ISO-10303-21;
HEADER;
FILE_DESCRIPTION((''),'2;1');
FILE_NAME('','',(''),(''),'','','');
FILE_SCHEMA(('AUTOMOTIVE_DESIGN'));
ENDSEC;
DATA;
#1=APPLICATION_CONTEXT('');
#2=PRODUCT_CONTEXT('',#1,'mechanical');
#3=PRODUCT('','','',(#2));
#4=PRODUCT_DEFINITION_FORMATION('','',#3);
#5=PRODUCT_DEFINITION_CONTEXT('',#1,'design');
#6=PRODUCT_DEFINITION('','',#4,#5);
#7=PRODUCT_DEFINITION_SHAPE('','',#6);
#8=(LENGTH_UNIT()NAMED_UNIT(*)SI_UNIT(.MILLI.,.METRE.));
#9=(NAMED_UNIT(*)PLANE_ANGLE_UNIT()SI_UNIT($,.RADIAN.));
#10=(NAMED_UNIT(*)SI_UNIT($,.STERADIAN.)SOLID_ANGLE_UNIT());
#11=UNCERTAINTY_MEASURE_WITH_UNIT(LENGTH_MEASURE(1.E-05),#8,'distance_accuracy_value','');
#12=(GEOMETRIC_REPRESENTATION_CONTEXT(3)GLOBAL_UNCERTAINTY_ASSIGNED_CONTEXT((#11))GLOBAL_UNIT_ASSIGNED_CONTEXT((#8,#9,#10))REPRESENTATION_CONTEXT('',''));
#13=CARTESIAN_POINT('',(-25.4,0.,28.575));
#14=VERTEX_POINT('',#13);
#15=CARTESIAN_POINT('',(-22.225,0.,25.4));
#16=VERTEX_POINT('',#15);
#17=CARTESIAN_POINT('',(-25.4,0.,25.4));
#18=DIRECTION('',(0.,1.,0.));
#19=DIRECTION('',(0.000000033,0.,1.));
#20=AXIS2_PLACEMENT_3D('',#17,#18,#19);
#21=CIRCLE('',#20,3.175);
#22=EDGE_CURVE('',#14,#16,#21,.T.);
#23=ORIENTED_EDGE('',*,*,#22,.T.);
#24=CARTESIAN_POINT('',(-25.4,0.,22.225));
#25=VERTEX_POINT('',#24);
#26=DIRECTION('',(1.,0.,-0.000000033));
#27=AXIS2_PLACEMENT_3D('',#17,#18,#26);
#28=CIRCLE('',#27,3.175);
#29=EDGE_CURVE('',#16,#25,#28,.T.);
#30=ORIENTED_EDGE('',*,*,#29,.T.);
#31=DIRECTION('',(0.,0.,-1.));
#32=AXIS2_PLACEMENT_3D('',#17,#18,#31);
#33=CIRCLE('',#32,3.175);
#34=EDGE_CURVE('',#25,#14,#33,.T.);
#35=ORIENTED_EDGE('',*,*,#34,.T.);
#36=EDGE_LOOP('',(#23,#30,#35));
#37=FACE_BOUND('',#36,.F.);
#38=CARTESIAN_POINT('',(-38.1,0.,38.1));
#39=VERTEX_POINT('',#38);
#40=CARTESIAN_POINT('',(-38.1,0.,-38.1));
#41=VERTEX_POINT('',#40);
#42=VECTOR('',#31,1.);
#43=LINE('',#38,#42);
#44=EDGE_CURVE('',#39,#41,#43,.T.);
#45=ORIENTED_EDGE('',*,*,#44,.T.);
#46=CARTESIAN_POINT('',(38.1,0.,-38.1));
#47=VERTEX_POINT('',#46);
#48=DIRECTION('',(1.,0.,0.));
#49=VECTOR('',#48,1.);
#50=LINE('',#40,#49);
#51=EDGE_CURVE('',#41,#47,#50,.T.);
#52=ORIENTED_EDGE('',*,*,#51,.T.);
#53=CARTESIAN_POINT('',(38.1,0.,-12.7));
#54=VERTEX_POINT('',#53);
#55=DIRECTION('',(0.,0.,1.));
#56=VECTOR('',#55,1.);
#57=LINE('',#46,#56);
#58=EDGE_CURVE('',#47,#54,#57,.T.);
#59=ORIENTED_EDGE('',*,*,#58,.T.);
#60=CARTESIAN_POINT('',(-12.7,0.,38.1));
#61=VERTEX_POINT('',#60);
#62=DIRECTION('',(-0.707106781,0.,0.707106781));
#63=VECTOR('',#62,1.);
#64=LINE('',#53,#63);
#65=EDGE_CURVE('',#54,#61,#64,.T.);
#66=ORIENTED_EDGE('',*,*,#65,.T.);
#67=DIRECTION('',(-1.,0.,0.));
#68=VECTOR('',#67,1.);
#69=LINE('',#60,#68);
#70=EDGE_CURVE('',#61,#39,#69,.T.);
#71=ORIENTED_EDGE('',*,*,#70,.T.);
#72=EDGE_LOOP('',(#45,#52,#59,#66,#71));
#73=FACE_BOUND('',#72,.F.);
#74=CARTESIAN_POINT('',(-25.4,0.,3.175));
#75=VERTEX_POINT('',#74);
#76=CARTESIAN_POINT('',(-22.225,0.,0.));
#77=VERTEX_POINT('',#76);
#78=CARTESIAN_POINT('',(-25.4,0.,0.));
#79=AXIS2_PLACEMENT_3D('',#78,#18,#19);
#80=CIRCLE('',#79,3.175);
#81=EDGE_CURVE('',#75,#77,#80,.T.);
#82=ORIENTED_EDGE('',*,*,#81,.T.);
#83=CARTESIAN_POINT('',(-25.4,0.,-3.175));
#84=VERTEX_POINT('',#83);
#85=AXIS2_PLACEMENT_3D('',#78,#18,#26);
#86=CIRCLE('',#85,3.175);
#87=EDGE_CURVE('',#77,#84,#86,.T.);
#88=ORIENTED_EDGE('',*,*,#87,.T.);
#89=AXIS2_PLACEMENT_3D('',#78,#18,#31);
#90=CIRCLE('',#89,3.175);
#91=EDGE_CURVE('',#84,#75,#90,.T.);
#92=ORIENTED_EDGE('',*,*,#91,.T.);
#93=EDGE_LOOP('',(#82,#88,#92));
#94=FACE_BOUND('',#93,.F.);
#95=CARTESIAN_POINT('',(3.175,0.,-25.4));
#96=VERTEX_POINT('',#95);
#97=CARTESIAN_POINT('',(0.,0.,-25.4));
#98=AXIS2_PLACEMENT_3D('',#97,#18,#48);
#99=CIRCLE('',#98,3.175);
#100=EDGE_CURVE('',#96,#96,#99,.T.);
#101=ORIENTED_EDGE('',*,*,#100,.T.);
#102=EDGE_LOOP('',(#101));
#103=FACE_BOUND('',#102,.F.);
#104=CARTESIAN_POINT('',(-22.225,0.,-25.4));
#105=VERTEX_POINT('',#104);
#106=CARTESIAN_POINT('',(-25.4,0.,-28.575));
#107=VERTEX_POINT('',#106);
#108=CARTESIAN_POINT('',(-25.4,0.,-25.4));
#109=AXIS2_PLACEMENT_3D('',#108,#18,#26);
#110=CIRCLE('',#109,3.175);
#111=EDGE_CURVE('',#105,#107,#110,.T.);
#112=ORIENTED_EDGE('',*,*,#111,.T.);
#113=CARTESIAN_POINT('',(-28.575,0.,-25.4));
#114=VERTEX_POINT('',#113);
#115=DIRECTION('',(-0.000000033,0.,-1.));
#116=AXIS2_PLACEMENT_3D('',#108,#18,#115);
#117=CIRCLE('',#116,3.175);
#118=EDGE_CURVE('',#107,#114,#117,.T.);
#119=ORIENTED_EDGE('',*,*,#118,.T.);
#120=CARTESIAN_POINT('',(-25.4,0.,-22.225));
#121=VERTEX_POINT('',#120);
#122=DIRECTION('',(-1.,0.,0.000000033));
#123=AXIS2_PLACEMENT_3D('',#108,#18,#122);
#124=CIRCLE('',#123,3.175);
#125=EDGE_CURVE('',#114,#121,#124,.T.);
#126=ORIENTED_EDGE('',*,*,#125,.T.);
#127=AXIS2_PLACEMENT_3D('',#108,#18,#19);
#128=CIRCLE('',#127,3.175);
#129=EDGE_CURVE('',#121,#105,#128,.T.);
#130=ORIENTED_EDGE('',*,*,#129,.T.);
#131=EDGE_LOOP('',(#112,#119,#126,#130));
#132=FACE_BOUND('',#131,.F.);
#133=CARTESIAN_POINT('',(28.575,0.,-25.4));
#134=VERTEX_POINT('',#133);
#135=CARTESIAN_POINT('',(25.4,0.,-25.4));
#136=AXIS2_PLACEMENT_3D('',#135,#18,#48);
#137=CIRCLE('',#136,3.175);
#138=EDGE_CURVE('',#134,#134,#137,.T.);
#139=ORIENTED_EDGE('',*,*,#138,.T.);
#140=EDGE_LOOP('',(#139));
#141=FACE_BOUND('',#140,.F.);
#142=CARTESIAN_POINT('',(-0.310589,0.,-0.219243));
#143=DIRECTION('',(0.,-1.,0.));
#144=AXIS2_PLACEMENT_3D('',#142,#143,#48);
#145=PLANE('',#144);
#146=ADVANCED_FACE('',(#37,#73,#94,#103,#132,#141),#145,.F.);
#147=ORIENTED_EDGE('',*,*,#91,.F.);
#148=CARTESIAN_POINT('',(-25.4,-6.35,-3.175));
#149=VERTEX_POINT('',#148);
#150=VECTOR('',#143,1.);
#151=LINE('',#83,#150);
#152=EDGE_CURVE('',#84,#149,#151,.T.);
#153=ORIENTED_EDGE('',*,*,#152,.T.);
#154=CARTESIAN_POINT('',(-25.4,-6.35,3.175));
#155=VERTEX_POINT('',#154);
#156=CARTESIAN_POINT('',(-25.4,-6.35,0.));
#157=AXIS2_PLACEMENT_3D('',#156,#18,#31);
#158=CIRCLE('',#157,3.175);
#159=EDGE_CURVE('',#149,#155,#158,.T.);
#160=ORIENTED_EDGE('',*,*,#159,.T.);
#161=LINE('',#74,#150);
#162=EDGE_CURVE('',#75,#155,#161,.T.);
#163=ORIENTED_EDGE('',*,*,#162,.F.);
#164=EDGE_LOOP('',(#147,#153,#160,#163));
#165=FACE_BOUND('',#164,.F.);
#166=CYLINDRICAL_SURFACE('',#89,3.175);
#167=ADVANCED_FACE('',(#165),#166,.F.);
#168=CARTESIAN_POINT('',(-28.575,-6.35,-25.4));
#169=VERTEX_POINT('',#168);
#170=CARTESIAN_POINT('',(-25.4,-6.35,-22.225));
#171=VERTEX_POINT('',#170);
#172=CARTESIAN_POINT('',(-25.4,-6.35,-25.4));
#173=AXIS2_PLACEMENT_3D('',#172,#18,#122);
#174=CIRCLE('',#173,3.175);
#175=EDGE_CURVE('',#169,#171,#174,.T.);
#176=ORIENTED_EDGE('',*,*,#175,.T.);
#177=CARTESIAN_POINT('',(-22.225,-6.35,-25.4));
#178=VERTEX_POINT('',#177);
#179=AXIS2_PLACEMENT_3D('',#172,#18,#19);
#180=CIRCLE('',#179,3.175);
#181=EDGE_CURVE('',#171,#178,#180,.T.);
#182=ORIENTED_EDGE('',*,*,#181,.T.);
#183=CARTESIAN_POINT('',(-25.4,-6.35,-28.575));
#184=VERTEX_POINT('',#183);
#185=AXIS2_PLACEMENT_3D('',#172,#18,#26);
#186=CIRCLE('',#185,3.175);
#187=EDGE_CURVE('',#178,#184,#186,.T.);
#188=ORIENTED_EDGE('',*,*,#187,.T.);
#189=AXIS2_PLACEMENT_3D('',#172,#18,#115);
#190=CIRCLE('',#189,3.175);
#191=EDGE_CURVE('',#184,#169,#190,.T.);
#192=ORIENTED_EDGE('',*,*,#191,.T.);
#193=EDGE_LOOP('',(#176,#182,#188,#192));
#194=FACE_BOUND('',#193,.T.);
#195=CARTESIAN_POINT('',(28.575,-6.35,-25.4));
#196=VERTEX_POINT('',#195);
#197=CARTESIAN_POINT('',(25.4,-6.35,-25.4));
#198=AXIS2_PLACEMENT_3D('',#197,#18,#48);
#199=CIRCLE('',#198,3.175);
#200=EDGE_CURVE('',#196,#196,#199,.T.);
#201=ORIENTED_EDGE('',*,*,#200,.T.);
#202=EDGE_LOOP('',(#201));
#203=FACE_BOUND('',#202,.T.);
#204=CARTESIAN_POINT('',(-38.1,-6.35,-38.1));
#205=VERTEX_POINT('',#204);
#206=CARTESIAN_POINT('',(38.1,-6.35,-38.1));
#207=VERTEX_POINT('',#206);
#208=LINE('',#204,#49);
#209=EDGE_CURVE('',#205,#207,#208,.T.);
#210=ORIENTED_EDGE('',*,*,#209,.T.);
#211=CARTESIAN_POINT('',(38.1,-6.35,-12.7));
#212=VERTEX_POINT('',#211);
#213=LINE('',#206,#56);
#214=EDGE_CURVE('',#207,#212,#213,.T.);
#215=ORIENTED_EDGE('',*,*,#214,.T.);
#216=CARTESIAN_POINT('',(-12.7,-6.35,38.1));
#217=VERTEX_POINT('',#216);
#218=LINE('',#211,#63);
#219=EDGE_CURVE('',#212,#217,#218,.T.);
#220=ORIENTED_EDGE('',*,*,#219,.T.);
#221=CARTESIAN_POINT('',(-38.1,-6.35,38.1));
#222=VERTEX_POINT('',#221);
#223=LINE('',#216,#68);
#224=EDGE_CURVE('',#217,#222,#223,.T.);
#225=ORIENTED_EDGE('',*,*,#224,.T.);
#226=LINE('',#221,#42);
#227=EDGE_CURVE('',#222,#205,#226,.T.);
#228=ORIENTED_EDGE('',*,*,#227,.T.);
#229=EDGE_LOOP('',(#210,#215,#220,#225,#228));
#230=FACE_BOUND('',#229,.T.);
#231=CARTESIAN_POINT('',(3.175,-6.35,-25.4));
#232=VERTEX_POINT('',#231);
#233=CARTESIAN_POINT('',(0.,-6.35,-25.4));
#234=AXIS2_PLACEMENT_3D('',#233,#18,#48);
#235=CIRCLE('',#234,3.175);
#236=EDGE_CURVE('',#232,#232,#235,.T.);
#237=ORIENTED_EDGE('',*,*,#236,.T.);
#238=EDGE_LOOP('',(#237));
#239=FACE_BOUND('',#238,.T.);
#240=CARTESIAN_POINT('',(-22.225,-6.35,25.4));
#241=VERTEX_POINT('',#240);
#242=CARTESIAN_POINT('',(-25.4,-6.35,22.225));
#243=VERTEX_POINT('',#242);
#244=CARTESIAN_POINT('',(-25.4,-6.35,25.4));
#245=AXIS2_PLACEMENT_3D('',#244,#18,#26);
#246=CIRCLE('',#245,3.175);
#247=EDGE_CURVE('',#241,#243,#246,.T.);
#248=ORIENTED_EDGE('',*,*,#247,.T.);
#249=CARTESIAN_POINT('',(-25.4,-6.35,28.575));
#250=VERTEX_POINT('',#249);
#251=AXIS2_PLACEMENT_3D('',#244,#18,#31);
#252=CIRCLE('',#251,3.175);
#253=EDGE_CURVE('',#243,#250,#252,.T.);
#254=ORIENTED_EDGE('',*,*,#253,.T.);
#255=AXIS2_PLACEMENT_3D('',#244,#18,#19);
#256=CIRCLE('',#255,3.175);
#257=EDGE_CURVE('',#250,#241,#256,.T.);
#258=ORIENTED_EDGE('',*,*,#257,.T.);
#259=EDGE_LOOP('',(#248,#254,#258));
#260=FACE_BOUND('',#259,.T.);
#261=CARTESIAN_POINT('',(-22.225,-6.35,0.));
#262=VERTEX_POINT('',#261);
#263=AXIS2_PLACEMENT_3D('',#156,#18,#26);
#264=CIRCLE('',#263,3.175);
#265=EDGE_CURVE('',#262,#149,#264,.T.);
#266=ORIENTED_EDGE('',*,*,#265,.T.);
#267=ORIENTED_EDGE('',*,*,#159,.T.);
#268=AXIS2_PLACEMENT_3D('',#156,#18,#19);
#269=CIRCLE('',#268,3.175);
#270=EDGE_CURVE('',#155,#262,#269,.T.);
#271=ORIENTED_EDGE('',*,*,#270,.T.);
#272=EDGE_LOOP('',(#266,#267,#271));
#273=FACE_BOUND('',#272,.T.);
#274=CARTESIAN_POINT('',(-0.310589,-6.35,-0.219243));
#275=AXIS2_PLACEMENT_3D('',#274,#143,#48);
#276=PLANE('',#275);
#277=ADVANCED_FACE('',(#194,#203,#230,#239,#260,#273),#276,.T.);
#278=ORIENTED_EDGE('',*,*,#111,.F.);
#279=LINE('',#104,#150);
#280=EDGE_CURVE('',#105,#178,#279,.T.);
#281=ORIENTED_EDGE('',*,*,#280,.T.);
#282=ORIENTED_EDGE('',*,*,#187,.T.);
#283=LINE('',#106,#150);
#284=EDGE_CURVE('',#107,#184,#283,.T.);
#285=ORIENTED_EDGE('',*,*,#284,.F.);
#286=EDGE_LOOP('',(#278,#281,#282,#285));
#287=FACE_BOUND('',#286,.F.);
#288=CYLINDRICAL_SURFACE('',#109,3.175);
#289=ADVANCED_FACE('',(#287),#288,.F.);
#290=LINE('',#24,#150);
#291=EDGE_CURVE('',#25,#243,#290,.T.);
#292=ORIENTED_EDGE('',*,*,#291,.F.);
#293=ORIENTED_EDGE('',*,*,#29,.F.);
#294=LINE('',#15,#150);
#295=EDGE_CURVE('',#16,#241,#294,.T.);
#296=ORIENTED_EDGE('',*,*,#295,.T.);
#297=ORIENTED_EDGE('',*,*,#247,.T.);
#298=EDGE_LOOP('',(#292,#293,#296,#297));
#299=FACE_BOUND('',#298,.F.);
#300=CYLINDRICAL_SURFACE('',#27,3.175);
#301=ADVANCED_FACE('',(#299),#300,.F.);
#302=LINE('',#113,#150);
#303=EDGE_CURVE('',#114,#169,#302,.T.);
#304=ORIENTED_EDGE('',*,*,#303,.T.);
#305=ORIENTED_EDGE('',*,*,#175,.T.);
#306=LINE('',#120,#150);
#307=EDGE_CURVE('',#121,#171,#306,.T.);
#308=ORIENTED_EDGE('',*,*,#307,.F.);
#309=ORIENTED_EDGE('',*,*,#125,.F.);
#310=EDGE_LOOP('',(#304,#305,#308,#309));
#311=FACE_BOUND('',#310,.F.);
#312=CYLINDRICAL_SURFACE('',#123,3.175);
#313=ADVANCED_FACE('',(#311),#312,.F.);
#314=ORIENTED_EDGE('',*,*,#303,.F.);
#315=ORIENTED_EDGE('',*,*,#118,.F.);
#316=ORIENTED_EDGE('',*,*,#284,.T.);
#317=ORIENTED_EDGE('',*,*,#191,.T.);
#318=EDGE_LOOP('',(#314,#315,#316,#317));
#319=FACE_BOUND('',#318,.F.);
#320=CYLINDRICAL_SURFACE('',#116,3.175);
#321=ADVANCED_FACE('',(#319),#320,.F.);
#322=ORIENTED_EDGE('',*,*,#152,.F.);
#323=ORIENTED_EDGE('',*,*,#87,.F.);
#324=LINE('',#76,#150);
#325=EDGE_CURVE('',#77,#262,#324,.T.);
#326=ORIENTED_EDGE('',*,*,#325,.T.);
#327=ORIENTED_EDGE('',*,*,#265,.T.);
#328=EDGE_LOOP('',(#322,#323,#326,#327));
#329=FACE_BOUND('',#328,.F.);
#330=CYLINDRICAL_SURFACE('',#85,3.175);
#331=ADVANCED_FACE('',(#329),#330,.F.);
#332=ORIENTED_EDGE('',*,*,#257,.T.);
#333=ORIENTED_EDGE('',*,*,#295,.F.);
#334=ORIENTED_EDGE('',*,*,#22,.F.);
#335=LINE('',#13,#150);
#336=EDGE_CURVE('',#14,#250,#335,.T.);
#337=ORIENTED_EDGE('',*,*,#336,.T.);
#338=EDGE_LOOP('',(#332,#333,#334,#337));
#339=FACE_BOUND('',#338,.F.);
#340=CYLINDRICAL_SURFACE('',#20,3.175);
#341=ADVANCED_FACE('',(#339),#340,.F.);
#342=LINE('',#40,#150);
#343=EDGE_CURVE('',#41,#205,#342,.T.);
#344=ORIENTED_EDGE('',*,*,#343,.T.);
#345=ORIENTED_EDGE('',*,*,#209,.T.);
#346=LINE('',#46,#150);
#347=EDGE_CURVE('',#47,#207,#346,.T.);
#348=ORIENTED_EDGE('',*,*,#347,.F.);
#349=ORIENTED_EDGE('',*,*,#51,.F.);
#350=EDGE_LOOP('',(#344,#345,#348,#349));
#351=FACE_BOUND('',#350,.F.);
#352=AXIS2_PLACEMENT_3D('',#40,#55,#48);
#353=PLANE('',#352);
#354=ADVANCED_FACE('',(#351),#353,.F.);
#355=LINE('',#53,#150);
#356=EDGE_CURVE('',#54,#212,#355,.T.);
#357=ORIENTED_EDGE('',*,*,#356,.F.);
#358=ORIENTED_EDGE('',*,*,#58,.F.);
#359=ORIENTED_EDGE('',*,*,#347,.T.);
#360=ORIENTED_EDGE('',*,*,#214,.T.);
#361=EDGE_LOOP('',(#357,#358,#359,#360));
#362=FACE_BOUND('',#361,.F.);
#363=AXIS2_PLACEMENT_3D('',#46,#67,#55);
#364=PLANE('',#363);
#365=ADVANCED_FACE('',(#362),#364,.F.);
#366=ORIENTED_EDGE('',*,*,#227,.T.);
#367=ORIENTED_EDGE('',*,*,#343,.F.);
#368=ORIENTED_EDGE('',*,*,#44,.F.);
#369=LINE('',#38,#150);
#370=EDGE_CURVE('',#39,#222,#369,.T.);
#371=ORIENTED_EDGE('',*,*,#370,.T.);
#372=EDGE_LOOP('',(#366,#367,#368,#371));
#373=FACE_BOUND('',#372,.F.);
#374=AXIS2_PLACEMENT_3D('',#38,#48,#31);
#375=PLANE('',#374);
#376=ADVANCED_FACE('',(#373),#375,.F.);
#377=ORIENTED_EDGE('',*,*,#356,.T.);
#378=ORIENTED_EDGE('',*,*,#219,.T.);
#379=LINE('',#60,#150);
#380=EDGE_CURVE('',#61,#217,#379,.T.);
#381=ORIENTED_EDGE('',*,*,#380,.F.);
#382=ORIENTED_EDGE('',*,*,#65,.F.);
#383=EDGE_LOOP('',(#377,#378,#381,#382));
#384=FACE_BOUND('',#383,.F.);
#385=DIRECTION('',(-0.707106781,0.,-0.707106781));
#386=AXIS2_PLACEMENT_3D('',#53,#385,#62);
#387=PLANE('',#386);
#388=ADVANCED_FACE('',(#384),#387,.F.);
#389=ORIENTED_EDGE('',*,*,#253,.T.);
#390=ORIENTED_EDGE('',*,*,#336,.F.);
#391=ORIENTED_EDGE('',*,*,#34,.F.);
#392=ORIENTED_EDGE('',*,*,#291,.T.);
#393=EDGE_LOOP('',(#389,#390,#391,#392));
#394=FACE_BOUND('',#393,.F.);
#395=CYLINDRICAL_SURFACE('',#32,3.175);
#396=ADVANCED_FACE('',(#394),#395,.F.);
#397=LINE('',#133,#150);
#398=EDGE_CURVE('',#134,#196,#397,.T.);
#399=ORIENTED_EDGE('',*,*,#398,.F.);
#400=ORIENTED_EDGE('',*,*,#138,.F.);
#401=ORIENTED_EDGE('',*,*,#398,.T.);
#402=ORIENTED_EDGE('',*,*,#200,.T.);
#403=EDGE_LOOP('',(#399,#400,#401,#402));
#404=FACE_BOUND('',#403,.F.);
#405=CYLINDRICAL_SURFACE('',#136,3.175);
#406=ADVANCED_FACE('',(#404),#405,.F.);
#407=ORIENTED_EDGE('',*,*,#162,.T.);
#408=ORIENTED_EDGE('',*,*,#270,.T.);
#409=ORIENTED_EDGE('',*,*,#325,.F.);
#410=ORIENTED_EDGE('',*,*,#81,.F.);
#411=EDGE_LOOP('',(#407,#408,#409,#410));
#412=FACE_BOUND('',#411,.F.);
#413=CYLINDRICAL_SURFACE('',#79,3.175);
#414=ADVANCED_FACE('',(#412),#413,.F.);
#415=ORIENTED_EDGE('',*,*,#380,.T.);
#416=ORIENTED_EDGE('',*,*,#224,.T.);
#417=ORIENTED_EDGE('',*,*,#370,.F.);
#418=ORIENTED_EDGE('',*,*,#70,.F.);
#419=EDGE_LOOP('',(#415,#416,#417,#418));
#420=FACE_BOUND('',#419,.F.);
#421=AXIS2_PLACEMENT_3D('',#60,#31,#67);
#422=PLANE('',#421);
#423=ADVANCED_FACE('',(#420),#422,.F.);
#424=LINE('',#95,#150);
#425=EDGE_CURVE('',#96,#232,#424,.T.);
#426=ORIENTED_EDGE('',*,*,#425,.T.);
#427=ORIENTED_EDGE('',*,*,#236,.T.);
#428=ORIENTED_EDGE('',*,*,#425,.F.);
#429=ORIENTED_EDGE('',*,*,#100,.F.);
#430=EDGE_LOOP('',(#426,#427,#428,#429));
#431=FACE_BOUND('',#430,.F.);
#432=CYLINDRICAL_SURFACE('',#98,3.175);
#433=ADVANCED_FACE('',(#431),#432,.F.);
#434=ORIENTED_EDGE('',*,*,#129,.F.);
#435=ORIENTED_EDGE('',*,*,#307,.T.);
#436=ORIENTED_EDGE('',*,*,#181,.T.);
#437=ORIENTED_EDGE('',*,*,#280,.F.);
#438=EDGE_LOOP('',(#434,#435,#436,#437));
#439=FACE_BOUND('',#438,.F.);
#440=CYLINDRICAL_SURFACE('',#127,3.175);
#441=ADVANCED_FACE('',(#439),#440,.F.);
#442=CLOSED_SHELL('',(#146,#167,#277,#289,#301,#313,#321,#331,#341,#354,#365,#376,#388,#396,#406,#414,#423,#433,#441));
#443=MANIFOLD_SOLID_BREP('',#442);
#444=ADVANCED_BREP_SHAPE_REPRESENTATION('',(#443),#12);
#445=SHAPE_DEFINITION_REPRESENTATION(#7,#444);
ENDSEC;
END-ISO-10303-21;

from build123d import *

# Parameters (mm, degrees)
F1_DEPTH = 6.35


with BuildPart() as f1:
    # F0 (on Front) → F1 (new body)
    with BuildSketch(Plane.XZ):
        with BuildLine():
            Line((38.1, -12.7), (-12.7, 38.1))
            Line((-12.7, 38.1), (-25.4, 38.1))
            Line((-25.4, 38.1), (-25.4, 28.575))
            ThreePointArc((-25.4, 28.575), (-23.154936, 27.645064), (-22.225, 25.4))
            ThreePointArc((-22.225, 25.4), (-23.154936, 23.154936), (-25.4, 22.225))
            Line((-25.4, 22.225), (-25.4, 3.175))
            ThreePointArc((-25.4, 3.175), (-23.154936, 2.245064), (-22.225, 0))
            ThreePointArc((-22.225, 0), (-23.154936, -2.245064), (-25.4, -3.175))
            Line((-25.4, -3.175), (-25.4, -22.225))
            ThreePointArc((-25.4, -22.225), (-23.154936, -23.154936), (-22.225, -25.4))
            Line((-22.225, -25.4), (-3.175, -25.4))
            ThreePointArc((-3.175, -25.4), (0, -22.225), (3.175, -25.4))
            Line((3.175, -25.4), (22.225, -25.4))
            ThreePointArc((22.225, -25.4), (25.4, -22.225), (28.575, -25.4))
            Line((28.575, -25.4), (38.1, -25.4))
            Line((38.1, -25.4), (38.1, -12.7))
        make_face()
        with BuildLine():
            Line((-25.4, 28.575), (-25.4, 38.1))
            Line((-25.4, 38.1), (-38.1, 38.1))
            Line((-38.1, 38.1), (-38.1, -25.4))
            Line((-38.1, -25.4), (-28.575, -25.4))
            ThreePointArc((-28.575, -25.4), (-27.645064, -23.154936), (-25.4, -22.225))
            Line((-25.4, -22.225), (-25.4, -3.175))
            ThreePointArc((-25.4, -3.175), (-28.575, 0), (-25.4, 3.175))
            Line((-25.4, 3.175), (-25.4, 22.225))
            ThreePointArc((-25.4, 22.225), (-28.575, 25.4), (-25.4, 28.575))
        make_face()
        with BuildLine():
            Line((-28.575, -25.4), (-38.1, -25.4))
            Line((-38.1, -25.4), (-38.1, -38.1))
            Line((-38.1, -38.1), (-25.4, -38.1))
            Line((-25.4, -38.1), (-25.4, -28.575))
            ThreePointArc((-25.4, -28.575), (-27.645064, -27.645064), (-28.575, -25.4))
        make_face()
        with BuildLine():
            Line((38.1, -38.1), (38.1, -25.4))
            Line((38.1, -25.4), (28.575, -25.4))
            ThreePointArc((28.575, -25.4), (25.4, -28.575), (22.225, -25.4))
            Line((22.225, -25.4), (3.175, -25.4))
            ThreePointArc((3.175, -25.4), (0, -28.575), (-3.175, -25.4))
            Line((-3.175, -25.4), (-22.225, -25.4))
            ThreePointArc((-22.225, -25.4), (-23.154936, -27.645064), (-25.4, -28.575))
            Line((-25.4, -28.575), (-25.4, -38.1))
            Line((-25.4, -38.1), (38.1, -38.1))
        make_face()
    extrude(amount=F1_DEPTH)


solid = f1.part
